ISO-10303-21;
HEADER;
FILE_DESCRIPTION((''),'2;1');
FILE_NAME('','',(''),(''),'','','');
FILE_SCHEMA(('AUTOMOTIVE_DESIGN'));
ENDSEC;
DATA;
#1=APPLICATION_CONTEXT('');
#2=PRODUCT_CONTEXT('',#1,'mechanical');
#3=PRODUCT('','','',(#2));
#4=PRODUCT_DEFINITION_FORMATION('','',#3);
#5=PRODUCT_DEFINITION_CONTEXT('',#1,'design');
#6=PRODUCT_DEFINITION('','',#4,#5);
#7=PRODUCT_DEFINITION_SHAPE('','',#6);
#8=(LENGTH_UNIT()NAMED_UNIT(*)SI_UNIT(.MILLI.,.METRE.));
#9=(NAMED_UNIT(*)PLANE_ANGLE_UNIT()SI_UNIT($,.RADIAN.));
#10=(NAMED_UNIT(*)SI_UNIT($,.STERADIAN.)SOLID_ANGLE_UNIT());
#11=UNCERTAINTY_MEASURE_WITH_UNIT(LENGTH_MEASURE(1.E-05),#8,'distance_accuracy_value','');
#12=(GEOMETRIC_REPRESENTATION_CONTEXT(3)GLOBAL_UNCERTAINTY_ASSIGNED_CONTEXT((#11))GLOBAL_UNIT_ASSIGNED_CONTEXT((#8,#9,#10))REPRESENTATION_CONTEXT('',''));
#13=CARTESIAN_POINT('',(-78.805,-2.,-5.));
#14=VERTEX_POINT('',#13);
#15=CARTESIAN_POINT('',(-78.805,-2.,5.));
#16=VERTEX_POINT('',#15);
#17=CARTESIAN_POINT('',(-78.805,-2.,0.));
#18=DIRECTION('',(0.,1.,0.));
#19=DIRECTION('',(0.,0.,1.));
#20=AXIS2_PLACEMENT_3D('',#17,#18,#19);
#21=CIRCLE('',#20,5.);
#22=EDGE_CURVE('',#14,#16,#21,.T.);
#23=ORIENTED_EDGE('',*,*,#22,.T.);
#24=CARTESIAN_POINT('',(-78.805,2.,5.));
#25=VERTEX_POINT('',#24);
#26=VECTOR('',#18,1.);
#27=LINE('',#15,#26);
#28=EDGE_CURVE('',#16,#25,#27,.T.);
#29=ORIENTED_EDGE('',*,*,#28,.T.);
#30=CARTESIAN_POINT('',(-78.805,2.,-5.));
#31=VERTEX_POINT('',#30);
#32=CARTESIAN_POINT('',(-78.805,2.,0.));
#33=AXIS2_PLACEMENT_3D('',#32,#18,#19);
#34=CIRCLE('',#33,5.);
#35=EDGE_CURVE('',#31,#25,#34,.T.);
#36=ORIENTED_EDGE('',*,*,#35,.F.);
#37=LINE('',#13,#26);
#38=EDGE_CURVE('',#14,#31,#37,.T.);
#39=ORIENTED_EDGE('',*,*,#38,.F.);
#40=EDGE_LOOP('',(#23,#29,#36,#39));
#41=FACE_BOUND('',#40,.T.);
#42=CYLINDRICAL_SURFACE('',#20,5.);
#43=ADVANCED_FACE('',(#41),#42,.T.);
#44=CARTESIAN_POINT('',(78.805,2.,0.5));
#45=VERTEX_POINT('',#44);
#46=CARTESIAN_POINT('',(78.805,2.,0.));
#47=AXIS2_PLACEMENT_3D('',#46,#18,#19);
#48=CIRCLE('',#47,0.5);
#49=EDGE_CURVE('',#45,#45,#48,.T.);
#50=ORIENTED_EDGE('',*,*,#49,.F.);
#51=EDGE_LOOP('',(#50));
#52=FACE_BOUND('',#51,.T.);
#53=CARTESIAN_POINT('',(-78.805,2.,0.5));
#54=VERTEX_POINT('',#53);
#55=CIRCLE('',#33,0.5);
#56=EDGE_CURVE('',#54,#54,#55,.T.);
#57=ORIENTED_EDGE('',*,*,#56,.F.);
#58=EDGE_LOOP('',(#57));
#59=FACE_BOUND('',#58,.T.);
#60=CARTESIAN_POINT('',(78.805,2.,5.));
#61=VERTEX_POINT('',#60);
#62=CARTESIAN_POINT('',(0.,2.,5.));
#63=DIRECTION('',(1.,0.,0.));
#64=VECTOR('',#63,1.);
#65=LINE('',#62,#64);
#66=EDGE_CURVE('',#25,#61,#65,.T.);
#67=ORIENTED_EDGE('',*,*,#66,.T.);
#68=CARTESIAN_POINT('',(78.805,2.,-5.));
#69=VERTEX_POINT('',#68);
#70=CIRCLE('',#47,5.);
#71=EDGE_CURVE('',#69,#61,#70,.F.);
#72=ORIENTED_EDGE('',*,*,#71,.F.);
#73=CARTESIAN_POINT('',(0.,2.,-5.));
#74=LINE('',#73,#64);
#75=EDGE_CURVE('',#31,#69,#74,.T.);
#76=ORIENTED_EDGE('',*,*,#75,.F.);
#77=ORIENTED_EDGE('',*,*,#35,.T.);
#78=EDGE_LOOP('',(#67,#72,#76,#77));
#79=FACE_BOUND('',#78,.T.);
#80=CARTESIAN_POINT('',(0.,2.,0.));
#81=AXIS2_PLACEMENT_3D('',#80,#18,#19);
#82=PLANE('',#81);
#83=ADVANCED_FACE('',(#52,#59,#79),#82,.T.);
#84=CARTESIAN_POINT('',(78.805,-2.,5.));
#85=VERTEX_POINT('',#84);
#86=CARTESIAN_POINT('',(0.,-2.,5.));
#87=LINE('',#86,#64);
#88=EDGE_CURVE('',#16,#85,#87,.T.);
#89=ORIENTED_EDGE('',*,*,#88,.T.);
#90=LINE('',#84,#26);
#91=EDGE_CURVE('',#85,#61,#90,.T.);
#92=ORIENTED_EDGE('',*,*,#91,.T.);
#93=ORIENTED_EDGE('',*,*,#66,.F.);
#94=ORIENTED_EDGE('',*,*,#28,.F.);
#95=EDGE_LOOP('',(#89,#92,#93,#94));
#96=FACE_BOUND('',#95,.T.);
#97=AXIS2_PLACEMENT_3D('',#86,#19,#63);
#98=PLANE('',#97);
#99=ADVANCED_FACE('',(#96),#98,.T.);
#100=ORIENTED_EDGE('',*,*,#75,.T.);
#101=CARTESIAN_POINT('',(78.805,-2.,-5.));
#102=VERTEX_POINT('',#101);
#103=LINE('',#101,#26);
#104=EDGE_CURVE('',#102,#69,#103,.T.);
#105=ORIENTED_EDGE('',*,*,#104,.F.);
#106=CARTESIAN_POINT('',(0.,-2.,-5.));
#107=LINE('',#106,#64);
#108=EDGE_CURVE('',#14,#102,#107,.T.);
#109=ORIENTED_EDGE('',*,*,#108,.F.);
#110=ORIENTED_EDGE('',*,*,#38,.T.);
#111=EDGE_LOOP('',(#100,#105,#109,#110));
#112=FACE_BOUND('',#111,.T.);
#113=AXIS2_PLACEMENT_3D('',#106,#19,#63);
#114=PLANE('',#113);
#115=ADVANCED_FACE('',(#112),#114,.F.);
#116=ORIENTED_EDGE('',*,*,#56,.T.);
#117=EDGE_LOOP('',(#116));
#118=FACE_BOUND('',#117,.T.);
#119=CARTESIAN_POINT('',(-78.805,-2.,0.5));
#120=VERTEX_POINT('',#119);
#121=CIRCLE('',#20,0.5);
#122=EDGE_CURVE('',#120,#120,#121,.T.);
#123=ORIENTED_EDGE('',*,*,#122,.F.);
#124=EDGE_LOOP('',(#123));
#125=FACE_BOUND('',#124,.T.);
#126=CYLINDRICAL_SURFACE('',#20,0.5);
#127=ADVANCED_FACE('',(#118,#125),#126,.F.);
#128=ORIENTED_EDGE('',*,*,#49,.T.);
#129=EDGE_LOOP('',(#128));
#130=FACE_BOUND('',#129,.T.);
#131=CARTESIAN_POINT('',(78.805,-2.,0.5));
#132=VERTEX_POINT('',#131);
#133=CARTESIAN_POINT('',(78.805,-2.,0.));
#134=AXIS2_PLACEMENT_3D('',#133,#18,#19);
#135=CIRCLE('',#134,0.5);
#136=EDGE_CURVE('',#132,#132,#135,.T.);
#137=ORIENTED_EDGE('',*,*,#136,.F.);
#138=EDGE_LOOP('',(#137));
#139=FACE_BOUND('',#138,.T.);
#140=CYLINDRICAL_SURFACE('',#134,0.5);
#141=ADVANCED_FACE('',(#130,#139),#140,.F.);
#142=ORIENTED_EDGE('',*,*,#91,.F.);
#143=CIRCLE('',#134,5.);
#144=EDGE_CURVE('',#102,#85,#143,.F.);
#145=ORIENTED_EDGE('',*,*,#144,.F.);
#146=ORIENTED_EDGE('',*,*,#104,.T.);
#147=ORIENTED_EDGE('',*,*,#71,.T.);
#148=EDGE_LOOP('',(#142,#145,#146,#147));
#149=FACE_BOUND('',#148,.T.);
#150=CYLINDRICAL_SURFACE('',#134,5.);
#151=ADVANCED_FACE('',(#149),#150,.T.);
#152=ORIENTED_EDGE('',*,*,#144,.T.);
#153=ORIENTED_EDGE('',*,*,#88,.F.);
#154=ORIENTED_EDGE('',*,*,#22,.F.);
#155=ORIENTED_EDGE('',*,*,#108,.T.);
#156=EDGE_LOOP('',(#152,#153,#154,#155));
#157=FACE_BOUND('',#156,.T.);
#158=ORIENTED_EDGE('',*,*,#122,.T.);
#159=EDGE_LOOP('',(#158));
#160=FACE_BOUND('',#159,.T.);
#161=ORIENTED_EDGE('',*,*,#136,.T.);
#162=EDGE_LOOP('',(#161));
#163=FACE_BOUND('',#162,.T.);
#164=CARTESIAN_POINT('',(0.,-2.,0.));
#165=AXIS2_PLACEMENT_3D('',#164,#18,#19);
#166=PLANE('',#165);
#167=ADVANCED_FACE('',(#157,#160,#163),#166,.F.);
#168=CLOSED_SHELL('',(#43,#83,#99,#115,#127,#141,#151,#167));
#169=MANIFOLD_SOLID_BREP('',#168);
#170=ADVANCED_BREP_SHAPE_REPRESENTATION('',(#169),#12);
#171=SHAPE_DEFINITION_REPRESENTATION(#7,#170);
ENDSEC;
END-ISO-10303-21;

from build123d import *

# Parameters (mm, degrees)
BOSS_EXTRUDE1_DEPTH      = 2
BOSS_EXTRUDE1_DEPTH_BACK = 2
SKETCH1_R                = 0.5


with BuildPart() as part:
    # Sketch1 → Boss-Extrude1 (new, two sides: drawn at the far end of the back side and taken through both)
    with BuildSketch(Plane(origin=(0, 0, 0), x_dir=(1, 0, 0), z_dir=(0, 1, 0)).offset(-BOSS_EXTRUDE1_DEPTH_BACK)):
        with BuildLine():
            ThreePointArc((-78.805, 5), (-83.805, 0), (-78.805, -5))
            Line((-78.805, -5), (78.805, -5))
            ThreePointArc((78.805, -5), (83.805, 0), (78.805, 5))
            Line((78.805, 5), (-78.805, 5))
        make_face()
        with Locations((-78.805, 0)):
            Circle(SKETCH1_R, mode=Mode.SUBTRACT)
        with Locations((78.805, 0)):
            Circle(SKETCH1_R, mode=Mode.SUBTRACT)
    extrude(amount=BOSS_EXTRUDE1_DEPTH + BOSS_EXTRUDE1_DEPTH_BACK)


solid = part.part
